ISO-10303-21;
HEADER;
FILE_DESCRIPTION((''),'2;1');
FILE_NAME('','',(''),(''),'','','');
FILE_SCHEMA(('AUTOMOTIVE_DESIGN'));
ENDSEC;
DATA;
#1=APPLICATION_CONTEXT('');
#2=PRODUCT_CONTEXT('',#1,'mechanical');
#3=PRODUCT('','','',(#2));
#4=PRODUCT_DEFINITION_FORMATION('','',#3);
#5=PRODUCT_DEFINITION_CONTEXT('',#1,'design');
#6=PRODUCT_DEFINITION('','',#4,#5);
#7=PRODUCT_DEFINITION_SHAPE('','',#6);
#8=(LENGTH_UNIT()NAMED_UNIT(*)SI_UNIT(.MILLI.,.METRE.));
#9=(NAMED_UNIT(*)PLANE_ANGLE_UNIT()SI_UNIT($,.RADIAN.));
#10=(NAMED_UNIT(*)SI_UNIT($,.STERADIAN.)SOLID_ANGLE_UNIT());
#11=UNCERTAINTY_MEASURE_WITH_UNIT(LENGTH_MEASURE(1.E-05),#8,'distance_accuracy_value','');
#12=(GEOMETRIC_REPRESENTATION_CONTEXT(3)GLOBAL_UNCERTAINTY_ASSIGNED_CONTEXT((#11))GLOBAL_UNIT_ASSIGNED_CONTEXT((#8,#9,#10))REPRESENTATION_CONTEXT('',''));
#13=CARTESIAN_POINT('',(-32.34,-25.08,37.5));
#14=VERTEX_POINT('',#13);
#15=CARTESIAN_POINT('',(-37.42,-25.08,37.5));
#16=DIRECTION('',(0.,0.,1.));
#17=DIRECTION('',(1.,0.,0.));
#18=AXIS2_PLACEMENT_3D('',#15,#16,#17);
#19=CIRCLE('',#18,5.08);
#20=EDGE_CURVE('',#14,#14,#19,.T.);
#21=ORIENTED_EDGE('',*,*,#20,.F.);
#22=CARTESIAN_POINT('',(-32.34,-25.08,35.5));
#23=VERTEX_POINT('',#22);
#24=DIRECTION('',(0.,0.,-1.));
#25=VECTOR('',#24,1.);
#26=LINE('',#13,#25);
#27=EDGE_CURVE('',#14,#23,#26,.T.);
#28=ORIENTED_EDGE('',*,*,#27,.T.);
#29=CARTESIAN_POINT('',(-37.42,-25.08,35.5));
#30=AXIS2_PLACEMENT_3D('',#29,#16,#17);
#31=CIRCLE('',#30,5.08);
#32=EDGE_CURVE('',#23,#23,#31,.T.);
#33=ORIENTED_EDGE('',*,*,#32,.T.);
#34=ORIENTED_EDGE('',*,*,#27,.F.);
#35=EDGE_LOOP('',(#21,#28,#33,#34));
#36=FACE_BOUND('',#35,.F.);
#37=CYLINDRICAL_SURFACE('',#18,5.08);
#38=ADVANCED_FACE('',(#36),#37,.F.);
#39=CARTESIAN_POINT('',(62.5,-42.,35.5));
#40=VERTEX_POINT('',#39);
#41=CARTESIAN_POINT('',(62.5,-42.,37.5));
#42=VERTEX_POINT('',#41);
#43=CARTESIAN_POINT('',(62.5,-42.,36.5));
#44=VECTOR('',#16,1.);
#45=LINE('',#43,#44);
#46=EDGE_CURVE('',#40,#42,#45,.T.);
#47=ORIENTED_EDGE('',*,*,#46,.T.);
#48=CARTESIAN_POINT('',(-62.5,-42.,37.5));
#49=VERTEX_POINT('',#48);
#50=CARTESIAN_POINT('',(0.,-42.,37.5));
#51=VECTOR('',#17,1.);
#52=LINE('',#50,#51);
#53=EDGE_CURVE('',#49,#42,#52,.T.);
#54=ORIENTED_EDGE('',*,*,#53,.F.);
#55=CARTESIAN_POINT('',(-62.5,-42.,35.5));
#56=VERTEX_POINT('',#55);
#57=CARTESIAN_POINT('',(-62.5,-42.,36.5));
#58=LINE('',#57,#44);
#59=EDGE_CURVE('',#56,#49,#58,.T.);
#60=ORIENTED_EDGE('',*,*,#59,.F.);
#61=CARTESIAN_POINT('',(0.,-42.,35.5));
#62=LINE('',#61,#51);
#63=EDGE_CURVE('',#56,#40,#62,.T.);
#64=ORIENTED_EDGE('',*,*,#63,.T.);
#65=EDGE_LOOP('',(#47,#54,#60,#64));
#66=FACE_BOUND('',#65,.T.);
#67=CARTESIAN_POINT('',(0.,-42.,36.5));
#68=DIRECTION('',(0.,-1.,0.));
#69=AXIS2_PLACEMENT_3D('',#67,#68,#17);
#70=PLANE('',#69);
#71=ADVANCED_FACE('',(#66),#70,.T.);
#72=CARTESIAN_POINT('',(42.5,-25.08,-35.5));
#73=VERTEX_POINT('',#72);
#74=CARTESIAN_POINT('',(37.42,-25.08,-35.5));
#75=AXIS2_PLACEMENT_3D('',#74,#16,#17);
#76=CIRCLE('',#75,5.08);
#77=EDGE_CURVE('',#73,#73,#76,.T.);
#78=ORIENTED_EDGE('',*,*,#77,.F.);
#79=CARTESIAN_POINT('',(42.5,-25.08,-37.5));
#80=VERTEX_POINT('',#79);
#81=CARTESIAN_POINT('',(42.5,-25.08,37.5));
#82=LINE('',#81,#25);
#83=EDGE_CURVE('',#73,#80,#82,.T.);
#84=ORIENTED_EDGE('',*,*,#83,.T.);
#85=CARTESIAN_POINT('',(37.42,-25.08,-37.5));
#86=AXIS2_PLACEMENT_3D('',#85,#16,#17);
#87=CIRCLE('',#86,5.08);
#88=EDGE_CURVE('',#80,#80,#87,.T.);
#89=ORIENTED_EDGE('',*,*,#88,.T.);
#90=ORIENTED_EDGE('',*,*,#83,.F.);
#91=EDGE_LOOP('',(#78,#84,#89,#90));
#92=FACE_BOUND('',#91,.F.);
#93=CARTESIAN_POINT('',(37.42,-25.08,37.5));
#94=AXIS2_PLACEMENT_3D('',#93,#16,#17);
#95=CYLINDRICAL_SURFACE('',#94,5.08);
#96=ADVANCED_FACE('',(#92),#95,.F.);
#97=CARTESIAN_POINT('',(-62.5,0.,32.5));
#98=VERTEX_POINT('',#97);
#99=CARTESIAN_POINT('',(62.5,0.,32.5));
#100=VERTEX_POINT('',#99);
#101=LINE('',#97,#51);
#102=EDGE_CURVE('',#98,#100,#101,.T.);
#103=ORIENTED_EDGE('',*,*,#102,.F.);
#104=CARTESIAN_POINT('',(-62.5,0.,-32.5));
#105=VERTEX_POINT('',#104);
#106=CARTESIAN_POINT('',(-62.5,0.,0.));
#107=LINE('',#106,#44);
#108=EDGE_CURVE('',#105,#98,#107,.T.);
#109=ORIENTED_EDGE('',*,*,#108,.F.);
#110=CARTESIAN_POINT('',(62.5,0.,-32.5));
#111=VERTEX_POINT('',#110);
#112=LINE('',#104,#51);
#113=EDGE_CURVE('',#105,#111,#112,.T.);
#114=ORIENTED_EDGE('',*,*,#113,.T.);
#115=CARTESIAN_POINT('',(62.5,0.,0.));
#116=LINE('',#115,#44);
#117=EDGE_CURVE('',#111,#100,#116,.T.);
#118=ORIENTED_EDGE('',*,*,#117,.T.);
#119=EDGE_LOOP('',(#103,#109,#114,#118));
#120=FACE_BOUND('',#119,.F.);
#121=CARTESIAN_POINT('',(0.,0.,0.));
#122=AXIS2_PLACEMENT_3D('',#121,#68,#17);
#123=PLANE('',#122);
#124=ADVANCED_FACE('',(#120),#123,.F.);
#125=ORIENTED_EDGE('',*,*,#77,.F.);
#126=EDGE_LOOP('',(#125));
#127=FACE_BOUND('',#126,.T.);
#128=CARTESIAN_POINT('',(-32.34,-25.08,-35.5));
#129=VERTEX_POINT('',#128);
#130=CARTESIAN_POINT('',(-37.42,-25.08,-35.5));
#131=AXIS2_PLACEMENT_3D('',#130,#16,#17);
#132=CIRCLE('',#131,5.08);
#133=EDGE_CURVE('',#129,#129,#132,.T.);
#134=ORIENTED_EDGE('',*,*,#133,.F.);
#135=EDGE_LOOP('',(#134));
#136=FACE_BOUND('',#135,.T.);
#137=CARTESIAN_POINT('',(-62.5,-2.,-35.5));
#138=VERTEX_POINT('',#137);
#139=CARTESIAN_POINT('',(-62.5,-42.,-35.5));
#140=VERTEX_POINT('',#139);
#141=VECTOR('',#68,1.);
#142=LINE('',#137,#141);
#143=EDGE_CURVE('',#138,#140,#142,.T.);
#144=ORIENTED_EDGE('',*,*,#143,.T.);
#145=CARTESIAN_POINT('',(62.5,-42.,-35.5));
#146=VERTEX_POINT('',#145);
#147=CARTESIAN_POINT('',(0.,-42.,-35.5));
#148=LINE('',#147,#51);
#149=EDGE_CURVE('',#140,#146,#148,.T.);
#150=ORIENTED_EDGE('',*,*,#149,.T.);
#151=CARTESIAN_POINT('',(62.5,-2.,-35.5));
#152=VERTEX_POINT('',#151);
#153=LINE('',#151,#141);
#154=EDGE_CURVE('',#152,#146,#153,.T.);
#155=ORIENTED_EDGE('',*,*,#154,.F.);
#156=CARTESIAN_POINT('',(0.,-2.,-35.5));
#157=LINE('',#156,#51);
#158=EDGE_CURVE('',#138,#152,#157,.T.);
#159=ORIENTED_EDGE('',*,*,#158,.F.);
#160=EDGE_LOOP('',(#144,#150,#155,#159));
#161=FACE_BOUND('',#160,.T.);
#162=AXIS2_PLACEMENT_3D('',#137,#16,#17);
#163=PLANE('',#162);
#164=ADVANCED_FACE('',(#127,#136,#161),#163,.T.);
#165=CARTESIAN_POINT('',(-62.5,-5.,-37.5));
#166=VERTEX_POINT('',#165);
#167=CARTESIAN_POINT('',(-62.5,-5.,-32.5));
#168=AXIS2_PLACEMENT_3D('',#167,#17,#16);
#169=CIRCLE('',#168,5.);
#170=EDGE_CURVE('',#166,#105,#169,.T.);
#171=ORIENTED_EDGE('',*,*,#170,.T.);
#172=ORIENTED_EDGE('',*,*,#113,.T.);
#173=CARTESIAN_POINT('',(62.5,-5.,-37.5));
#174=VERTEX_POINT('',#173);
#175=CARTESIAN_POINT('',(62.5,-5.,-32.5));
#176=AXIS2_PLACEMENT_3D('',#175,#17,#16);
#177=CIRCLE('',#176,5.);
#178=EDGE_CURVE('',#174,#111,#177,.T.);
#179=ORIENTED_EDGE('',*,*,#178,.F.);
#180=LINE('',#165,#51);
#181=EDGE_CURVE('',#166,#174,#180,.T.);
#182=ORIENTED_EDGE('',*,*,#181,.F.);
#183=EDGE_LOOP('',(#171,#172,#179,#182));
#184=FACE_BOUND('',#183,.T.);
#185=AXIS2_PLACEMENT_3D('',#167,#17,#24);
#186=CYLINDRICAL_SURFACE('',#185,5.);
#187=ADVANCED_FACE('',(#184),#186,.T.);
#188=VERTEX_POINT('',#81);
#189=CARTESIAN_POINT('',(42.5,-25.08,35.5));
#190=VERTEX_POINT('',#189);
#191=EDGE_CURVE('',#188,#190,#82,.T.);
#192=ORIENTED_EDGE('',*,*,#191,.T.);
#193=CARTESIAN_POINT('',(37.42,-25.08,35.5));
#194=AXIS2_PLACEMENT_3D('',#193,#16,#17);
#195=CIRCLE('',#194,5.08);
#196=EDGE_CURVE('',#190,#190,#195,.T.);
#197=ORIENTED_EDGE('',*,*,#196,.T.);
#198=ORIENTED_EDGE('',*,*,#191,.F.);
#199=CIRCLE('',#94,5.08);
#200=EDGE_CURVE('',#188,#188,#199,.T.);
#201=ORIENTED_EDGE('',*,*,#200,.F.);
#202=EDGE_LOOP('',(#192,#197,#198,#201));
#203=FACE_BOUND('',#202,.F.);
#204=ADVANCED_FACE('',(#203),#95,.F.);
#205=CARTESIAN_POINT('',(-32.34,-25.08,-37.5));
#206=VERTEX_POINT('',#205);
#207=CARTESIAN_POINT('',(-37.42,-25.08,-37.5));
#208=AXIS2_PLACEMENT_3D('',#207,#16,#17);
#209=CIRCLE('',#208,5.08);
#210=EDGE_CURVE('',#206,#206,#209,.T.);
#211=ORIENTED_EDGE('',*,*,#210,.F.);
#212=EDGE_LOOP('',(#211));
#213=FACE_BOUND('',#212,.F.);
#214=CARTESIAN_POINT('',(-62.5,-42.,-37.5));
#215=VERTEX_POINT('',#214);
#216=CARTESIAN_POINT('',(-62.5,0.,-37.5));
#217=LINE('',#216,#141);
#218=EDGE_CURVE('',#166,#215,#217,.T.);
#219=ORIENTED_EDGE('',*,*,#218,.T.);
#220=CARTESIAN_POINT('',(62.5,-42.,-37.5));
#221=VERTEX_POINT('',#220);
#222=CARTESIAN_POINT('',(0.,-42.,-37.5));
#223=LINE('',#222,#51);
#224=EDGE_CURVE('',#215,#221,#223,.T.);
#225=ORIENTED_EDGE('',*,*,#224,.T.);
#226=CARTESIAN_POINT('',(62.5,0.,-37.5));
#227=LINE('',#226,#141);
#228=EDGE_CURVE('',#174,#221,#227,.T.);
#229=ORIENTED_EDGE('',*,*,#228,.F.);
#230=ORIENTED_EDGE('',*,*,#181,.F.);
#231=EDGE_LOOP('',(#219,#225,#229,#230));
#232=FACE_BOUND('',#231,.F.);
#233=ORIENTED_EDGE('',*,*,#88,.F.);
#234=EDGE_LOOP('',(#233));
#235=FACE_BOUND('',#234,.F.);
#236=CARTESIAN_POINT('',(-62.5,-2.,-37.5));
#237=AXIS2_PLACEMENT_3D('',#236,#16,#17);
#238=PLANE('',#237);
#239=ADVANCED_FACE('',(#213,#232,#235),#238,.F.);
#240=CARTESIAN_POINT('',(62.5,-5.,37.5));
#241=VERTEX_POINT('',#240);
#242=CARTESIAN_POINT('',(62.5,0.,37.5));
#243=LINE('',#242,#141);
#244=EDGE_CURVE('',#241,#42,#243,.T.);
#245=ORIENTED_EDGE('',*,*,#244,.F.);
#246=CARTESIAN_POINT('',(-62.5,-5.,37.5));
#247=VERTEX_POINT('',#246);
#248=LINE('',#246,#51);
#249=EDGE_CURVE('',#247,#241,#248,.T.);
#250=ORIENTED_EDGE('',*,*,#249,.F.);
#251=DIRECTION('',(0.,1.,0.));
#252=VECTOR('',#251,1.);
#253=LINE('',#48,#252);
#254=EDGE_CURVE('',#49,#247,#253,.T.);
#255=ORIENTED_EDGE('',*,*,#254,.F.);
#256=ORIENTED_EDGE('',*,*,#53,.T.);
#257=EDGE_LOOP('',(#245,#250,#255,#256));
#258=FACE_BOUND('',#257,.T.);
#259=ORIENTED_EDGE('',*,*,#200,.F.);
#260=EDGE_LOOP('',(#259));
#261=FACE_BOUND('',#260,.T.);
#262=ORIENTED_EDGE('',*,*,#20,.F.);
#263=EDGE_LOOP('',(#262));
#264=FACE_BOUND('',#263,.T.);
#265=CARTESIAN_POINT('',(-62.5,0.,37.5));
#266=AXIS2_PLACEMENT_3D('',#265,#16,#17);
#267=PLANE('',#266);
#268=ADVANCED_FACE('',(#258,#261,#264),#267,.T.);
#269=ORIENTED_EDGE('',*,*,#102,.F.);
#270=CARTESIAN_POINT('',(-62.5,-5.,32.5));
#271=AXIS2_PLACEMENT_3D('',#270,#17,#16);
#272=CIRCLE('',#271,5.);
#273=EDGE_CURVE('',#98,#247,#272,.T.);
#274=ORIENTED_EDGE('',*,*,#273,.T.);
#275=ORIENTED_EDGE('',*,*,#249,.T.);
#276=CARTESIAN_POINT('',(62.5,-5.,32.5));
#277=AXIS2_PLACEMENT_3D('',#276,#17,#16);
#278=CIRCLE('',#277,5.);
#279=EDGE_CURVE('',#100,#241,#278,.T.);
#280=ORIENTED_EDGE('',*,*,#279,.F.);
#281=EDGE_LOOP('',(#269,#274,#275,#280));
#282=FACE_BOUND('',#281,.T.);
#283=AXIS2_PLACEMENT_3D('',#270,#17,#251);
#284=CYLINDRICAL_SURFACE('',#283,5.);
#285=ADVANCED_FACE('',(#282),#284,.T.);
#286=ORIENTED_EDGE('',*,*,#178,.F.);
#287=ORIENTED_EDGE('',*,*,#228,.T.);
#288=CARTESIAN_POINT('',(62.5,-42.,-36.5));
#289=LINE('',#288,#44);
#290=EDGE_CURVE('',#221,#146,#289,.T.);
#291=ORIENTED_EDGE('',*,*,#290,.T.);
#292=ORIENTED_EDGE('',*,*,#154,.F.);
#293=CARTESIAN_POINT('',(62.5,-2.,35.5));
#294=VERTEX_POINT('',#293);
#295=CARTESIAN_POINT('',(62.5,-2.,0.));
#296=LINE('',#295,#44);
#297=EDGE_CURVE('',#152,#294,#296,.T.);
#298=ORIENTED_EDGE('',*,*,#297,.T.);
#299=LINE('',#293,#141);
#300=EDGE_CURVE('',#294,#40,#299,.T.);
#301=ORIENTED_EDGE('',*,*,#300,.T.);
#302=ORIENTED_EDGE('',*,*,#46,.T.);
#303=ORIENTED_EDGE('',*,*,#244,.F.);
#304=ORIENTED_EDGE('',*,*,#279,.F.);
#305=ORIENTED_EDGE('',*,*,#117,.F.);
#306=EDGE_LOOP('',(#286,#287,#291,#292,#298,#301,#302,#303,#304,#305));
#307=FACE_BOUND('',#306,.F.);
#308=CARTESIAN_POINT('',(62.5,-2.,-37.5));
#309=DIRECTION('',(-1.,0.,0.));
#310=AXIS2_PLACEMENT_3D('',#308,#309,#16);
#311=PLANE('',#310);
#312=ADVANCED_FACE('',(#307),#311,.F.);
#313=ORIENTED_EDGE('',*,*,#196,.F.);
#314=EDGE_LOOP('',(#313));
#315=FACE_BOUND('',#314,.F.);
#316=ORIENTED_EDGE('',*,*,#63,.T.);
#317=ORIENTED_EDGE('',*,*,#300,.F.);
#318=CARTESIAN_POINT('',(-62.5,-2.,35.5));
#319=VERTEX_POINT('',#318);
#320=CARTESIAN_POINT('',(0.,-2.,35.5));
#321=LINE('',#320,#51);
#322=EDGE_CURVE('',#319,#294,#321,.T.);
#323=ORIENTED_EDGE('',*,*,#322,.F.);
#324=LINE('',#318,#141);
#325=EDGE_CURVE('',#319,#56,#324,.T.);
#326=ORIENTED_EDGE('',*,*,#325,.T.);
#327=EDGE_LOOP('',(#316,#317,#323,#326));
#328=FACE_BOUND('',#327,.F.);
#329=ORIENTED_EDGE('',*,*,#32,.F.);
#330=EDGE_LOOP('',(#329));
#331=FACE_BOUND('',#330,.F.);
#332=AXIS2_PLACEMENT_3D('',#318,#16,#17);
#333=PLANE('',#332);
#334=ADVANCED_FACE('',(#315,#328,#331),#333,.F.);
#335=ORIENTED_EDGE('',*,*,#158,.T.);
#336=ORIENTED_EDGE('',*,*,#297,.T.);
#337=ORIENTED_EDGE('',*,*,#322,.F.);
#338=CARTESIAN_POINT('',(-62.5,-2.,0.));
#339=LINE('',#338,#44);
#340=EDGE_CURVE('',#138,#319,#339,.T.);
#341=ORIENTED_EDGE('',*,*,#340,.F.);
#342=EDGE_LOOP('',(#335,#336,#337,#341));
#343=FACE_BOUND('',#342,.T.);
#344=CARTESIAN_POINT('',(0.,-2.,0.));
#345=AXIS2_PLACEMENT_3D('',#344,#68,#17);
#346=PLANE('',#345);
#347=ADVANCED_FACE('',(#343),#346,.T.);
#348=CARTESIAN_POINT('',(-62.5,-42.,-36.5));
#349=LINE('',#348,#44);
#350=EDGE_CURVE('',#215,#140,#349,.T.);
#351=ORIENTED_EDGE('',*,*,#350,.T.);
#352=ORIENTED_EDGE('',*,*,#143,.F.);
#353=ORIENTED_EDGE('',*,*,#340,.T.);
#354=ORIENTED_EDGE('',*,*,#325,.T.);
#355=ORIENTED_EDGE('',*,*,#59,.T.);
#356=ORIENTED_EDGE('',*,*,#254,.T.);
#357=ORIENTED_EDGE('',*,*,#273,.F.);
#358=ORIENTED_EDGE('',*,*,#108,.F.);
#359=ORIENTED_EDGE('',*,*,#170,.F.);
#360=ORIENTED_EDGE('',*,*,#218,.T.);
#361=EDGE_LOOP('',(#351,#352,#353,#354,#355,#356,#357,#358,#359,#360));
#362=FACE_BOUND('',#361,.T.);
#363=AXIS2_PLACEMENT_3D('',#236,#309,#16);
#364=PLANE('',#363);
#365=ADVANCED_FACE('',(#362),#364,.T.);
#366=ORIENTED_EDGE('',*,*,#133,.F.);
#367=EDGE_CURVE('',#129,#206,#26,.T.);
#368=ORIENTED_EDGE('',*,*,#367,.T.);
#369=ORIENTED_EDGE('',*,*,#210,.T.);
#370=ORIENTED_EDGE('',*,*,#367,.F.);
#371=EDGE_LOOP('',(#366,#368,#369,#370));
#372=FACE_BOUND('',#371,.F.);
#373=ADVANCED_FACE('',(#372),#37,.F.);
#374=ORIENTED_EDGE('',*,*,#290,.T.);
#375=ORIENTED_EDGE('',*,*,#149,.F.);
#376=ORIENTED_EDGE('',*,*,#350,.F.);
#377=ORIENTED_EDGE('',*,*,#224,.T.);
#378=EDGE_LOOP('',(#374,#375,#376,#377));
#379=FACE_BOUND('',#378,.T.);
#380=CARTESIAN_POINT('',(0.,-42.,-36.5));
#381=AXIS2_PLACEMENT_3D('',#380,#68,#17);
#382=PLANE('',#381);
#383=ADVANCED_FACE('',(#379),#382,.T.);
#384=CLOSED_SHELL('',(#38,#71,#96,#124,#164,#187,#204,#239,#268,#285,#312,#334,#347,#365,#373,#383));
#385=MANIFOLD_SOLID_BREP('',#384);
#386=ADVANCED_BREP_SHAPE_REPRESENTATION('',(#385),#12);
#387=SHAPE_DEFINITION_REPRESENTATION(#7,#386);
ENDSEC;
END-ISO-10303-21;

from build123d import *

# Parameters (mm, degrees)
F0_W     = 125
F0_H     = 75
F1_DEPTH = 2
F2_W     = 125
F2_H     = 2
F3_DEPTH = 40
F4_R     = 5
F5_R     = 5.08
F6_DEPTH = 100


with BuildPart() as f1:
    # F0 (on Front) → F1 (new body)
    with BuildSketch(Plane.XZ):
        Rectangle(F0_W, F0_H)
    extrude(amount=F1_DEPTH)

    # F2 (on face) → F3 (join)
    with BuildSketch(Plane.XZ.offset(2)):
        with Locations((0, -36.5)):
            Rectangle(F2_W, F2_H)
        with Locations((0, 36.5)):
            Rectangle(F2_W, F2_H)
    extrude(amount=F3_DEPTH)

    # F4
    f4_edges = [f1.edges().sort_by_distance(p)[0] for p in [
        (0, 0, 37.5),
        (0, 0, -37.5),
    ]]
    fillet(f4_edges, radius=F4_R)

    # F5 (on face) → F6 (cut)
    with BuildSketch(Plane.XY.offset(37.5)):
        with Locations((37.42, -25.08)):
            Circle(F5_R)
        with Locations((-37.42, -25.08)):
            Circle(F5_R)
    extrude(amount=-F6_DEPTH, mode=Mode.SUBTRACT)


solid = f1.part
